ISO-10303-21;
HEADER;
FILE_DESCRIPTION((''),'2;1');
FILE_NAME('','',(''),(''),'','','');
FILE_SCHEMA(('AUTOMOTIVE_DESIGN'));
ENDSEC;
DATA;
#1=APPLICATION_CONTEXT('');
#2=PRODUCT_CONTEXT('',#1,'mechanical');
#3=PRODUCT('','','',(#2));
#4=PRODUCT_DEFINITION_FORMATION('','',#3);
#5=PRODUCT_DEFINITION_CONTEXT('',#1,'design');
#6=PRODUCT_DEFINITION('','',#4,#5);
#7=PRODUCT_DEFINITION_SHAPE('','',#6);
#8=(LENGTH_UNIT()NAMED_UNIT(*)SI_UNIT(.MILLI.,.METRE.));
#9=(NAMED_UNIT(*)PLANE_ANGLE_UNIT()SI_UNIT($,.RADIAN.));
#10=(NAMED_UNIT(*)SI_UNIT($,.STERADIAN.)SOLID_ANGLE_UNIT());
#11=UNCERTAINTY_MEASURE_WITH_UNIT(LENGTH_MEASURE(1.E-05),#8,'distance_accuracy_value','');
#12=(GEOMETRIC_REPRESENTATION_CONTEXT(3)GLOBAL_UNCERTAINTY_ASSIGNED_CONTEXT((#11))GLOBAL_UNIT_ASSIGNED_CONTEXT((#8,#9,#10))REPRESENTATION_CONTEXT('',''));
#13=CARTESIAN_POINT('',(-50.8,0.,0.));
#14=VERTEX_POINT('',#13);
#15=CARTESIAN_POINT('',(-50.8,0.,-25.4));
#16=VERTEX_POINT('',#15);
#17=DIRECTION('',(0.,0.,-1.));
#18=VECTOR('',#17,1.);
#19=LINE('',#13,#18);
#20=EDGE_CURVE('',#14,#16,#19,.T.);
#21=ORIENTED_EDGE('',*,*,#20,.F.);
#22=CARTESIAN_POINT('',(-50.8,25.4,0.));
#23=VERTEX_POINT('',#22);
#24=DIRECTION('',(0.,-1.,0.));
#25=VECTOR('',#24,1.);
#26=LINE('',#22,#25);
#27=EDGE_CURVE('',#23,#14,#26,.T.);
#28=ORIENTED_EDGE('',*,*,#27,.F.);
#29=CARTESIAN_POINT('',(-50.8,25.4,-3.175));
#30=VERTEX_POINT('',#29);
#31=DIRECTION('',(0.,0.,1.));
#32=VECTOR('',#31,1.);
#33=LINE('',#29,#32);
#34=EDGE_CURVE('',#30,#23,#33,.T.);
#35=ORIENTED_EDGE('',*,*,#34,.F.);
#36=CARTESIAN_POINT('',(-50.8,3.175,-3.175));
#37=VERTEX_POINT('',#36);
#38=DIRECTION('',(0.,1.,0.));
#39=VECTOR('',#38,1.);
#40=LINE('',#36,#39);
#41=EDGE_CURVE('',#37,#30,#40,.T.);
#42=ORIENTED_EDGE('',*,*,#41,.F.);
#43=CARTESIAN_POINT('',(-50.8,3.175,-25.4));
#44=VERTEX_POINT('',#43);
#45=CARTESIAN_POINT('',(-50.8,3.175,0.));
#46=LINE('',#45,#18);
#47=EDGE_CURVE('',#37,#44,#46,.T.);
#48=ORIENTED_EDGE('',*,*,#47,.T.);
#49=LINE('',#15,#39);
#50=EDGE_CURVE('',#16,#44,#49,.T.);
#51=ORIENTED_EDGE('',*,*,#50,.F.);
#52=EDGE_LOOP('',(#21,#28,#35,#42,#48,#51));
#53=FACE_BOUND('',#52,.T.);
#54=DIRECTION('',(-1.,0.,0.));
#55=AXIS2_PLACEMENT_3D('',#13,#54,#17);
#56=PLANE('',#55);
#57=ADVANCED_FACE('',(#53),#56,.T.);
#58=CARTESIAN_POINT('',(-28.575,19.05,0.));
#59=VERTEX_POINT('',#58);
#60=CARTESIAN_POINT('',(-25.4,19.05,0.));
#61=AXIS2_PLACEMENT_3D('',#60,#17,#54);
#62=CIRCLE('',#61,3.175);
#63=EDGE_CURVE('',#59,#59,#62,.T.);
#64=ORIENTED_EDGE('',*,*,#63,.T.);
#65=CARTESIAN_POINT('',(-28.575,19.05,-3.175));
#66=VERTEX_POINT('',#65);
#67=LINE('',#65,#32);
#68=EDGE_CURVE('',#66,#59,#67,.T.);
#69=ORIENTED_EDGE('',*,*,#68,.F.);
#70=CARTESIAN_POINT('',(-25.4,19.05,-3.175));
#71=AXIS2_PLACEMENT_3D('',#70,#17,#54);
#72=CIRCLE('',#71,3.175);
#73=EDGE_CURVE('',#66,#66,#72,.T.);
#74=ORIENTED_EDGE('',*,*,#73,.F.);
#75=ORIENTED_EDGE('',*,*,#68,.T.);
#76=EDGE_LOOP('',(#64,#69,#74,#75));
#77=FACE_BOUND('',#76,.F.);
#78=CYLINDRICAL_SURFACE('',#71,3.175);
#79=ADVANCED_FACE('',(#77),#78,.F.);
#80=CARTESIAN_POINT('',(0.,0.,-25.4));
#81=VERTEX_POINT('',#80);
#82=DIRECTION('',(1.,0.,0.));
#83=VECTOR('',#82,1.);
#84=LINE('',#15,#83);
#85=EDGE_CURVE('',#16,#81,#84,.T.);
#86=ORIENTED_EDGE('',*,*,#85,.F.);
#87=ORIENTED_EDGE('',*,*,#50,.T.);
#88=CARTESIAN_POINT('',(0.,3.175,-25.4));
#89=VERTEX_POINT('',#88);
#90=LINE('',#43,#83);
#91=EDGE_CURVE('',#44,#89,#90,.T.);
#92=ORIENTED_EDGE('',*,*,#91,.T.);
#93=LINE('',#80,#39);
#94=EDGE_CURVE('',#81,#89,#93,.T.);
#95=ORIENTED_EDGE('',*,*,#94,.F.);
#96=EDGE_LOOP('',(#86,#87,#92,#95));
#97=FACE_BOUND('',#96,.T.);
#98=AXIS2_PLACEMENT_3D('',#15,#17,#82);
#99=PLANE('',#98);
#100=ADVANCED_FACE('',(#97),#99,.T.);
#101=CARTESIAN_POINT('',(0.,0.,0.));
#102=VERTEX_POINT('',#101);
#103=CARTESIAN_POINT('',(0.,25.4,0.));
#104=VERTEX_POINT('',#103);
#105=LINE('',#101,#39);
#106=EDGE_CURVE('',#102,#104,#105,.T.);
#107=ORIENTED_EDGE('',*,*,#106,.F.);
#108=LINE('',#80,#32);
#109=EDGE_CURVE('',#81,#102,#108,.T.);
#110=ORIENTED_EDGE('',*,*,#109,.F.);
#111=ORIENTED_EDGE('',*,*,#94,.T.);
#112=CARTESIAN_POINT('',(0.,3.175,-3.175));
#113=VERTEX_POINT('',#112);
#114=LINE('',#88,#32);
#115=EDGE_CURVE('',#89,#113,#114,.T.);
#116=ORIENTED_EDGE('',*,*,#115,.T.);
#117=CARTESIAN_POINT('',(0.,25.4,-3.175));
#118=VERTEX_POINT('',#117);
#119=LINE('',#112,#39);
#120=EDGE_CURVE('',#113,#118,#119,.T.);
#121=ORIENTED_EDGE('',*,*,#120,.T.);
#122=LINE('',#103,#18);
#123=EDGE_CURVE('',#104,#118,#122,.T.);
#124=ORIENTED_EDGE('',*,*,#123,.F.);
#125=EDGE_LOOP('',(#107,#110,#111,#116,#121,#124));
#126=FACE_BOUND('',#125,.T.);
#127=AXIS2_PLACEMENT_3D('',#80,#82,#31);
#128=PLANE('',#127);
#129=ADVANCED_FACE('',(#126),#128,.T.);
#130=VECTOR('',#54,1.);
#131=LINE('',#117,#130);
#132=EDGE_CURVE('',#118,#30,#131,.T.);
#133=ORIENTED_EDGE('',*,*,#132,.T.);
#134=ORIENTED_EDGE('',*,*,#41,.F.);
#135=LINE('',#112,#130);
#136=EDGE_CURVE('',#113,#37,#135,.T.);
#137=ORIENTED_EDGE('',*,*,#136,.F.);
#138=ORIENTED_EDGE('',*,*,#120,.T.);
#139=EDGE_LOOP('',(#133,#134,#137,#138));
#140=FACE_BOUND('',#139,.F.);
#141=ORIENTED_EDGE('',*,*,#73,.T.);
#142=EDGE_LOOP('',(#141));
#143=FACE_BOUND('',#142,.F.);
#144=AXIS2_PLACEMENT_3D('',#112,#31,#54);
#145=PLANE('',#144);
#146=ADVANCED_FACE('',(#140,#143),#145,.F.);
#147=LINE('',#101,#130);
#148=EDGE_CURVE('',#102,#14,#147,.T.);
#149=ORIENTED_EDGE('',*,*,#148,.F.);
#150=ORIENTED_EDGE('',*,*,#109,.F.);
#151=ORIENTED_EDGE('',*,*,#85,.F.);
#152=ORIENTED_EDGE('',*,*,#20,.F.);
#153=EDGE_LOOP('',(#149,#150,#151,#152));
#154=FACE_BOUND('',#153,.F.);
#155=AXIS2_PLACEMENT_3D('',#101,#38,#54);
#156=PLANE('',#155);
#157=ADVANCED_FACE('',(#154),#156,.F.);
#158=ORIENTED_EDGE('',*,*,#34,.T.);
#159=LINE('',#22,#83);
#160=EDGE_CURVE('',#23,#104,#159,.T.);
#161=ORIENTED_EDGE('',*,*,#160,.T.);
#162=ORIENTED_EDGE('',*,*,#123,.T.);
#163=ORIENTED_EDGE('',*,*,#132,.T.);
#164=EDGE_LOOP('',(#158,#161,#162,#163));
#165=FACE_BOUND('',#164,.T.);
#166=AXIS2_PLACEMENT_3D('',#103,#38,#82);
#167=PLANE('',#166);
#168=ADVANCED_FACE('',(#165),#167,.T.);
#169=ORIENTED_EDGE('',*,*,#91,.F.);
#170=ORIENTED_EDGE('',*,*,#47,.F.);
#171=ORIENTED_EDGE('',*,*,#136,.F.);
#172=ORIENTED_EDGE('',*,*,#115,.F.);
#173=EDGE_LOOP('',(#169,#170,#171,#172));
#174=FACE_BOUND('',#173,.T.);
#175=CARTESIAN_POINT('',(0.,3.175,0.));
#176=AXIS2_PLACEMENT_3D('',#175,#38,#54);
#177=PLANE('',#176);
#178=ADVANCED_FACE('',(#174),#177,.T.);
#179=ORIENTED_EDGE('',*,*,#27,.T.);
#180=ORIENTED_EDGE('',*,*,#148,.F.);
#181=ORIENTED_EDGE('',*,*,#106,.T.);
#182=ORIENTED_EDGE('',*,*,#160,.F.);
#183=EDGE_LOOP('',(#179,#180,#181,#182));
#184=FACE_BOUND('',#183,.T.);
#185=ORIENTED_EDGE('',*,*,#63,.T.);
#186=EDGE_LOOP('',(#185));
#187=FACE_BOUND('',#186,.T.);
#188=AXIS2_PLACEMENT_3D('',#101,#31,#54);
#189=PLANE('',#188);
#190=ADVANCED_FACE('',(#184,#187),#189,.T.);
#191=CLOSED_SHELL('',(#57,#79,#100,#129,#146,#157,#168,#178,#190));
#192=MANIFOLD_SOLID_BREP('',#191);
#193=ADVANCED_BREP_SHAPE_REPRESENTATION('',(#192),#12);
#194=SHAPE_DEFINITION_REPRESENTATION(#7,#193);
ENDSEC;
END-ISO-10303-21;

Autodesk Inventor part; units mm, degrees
ref_plane "YZ Plane" through (0, 0, 0) normal (1, 0, 0) x (0, 1, 0)
ref_plane "XZ Plane" through (0, 0, 0) normal (0, 1, 0) x (-1, 0, 0)
ref_plane "XY Plane" through (0, 0, 0) normal (0, 0, 1) x (1, 0, 0)
sketch "Sketch1" plane through (0, 0, 0) normal (0, 1, 0) x (-1, 0, 0)
  line L0 (0, 0) -> (50.8, 0)
  line L1 (50.8, 0) -> (50.8, -25.4)
  line L2 (50.8, -25.4) -> (0, -25.4)
  line L3 (0, -25.4) -> (0, 0)
  dimension "d0" = 50.8
  dimension "d1" = 25.4
extrude "Extrusion1" add sketch "Sketch1" along normal blind 3.175
sketch "Sketch2" plane through (0, 3.175, 0) normal (0, 1, 0) x (1, 0, 0)
  line L0 (-50.8, 0) -> (0, 0)
  line L1 (0, 0) -> (0, 3.175)
  line L2 (0, 3.175) -> (-50.8, 3.175)
  line L3 (-50.8, 3.175) -> (-50.8, 0)
  dimension "d4" = 50.8
  dimension "d5" = 3.175
extrude "Extrusion2" add sketch "Sketch2" along normal blind 22.225
sketch "Sketch3" plane through (0, 3.175, -3.175) normal (0, 0, -1) x (-1, 0, 0)
  circle A0 centre (25.4, 15.875) radius 3.175
  line L0 (0, 22.225) -> (50.8, 22.225) projected
  line L1 (50.8, 0) -> (50.8, 22.225) projected
  point P0 (0, -3.175)
  dimension "d8" = 6.35
  dimension "d9" = 6.35
  dimension "d10" = 25.4
extrude "Extrusion3" cut sketch "Sketch3" against normal through all
properties part number "Gusset"
